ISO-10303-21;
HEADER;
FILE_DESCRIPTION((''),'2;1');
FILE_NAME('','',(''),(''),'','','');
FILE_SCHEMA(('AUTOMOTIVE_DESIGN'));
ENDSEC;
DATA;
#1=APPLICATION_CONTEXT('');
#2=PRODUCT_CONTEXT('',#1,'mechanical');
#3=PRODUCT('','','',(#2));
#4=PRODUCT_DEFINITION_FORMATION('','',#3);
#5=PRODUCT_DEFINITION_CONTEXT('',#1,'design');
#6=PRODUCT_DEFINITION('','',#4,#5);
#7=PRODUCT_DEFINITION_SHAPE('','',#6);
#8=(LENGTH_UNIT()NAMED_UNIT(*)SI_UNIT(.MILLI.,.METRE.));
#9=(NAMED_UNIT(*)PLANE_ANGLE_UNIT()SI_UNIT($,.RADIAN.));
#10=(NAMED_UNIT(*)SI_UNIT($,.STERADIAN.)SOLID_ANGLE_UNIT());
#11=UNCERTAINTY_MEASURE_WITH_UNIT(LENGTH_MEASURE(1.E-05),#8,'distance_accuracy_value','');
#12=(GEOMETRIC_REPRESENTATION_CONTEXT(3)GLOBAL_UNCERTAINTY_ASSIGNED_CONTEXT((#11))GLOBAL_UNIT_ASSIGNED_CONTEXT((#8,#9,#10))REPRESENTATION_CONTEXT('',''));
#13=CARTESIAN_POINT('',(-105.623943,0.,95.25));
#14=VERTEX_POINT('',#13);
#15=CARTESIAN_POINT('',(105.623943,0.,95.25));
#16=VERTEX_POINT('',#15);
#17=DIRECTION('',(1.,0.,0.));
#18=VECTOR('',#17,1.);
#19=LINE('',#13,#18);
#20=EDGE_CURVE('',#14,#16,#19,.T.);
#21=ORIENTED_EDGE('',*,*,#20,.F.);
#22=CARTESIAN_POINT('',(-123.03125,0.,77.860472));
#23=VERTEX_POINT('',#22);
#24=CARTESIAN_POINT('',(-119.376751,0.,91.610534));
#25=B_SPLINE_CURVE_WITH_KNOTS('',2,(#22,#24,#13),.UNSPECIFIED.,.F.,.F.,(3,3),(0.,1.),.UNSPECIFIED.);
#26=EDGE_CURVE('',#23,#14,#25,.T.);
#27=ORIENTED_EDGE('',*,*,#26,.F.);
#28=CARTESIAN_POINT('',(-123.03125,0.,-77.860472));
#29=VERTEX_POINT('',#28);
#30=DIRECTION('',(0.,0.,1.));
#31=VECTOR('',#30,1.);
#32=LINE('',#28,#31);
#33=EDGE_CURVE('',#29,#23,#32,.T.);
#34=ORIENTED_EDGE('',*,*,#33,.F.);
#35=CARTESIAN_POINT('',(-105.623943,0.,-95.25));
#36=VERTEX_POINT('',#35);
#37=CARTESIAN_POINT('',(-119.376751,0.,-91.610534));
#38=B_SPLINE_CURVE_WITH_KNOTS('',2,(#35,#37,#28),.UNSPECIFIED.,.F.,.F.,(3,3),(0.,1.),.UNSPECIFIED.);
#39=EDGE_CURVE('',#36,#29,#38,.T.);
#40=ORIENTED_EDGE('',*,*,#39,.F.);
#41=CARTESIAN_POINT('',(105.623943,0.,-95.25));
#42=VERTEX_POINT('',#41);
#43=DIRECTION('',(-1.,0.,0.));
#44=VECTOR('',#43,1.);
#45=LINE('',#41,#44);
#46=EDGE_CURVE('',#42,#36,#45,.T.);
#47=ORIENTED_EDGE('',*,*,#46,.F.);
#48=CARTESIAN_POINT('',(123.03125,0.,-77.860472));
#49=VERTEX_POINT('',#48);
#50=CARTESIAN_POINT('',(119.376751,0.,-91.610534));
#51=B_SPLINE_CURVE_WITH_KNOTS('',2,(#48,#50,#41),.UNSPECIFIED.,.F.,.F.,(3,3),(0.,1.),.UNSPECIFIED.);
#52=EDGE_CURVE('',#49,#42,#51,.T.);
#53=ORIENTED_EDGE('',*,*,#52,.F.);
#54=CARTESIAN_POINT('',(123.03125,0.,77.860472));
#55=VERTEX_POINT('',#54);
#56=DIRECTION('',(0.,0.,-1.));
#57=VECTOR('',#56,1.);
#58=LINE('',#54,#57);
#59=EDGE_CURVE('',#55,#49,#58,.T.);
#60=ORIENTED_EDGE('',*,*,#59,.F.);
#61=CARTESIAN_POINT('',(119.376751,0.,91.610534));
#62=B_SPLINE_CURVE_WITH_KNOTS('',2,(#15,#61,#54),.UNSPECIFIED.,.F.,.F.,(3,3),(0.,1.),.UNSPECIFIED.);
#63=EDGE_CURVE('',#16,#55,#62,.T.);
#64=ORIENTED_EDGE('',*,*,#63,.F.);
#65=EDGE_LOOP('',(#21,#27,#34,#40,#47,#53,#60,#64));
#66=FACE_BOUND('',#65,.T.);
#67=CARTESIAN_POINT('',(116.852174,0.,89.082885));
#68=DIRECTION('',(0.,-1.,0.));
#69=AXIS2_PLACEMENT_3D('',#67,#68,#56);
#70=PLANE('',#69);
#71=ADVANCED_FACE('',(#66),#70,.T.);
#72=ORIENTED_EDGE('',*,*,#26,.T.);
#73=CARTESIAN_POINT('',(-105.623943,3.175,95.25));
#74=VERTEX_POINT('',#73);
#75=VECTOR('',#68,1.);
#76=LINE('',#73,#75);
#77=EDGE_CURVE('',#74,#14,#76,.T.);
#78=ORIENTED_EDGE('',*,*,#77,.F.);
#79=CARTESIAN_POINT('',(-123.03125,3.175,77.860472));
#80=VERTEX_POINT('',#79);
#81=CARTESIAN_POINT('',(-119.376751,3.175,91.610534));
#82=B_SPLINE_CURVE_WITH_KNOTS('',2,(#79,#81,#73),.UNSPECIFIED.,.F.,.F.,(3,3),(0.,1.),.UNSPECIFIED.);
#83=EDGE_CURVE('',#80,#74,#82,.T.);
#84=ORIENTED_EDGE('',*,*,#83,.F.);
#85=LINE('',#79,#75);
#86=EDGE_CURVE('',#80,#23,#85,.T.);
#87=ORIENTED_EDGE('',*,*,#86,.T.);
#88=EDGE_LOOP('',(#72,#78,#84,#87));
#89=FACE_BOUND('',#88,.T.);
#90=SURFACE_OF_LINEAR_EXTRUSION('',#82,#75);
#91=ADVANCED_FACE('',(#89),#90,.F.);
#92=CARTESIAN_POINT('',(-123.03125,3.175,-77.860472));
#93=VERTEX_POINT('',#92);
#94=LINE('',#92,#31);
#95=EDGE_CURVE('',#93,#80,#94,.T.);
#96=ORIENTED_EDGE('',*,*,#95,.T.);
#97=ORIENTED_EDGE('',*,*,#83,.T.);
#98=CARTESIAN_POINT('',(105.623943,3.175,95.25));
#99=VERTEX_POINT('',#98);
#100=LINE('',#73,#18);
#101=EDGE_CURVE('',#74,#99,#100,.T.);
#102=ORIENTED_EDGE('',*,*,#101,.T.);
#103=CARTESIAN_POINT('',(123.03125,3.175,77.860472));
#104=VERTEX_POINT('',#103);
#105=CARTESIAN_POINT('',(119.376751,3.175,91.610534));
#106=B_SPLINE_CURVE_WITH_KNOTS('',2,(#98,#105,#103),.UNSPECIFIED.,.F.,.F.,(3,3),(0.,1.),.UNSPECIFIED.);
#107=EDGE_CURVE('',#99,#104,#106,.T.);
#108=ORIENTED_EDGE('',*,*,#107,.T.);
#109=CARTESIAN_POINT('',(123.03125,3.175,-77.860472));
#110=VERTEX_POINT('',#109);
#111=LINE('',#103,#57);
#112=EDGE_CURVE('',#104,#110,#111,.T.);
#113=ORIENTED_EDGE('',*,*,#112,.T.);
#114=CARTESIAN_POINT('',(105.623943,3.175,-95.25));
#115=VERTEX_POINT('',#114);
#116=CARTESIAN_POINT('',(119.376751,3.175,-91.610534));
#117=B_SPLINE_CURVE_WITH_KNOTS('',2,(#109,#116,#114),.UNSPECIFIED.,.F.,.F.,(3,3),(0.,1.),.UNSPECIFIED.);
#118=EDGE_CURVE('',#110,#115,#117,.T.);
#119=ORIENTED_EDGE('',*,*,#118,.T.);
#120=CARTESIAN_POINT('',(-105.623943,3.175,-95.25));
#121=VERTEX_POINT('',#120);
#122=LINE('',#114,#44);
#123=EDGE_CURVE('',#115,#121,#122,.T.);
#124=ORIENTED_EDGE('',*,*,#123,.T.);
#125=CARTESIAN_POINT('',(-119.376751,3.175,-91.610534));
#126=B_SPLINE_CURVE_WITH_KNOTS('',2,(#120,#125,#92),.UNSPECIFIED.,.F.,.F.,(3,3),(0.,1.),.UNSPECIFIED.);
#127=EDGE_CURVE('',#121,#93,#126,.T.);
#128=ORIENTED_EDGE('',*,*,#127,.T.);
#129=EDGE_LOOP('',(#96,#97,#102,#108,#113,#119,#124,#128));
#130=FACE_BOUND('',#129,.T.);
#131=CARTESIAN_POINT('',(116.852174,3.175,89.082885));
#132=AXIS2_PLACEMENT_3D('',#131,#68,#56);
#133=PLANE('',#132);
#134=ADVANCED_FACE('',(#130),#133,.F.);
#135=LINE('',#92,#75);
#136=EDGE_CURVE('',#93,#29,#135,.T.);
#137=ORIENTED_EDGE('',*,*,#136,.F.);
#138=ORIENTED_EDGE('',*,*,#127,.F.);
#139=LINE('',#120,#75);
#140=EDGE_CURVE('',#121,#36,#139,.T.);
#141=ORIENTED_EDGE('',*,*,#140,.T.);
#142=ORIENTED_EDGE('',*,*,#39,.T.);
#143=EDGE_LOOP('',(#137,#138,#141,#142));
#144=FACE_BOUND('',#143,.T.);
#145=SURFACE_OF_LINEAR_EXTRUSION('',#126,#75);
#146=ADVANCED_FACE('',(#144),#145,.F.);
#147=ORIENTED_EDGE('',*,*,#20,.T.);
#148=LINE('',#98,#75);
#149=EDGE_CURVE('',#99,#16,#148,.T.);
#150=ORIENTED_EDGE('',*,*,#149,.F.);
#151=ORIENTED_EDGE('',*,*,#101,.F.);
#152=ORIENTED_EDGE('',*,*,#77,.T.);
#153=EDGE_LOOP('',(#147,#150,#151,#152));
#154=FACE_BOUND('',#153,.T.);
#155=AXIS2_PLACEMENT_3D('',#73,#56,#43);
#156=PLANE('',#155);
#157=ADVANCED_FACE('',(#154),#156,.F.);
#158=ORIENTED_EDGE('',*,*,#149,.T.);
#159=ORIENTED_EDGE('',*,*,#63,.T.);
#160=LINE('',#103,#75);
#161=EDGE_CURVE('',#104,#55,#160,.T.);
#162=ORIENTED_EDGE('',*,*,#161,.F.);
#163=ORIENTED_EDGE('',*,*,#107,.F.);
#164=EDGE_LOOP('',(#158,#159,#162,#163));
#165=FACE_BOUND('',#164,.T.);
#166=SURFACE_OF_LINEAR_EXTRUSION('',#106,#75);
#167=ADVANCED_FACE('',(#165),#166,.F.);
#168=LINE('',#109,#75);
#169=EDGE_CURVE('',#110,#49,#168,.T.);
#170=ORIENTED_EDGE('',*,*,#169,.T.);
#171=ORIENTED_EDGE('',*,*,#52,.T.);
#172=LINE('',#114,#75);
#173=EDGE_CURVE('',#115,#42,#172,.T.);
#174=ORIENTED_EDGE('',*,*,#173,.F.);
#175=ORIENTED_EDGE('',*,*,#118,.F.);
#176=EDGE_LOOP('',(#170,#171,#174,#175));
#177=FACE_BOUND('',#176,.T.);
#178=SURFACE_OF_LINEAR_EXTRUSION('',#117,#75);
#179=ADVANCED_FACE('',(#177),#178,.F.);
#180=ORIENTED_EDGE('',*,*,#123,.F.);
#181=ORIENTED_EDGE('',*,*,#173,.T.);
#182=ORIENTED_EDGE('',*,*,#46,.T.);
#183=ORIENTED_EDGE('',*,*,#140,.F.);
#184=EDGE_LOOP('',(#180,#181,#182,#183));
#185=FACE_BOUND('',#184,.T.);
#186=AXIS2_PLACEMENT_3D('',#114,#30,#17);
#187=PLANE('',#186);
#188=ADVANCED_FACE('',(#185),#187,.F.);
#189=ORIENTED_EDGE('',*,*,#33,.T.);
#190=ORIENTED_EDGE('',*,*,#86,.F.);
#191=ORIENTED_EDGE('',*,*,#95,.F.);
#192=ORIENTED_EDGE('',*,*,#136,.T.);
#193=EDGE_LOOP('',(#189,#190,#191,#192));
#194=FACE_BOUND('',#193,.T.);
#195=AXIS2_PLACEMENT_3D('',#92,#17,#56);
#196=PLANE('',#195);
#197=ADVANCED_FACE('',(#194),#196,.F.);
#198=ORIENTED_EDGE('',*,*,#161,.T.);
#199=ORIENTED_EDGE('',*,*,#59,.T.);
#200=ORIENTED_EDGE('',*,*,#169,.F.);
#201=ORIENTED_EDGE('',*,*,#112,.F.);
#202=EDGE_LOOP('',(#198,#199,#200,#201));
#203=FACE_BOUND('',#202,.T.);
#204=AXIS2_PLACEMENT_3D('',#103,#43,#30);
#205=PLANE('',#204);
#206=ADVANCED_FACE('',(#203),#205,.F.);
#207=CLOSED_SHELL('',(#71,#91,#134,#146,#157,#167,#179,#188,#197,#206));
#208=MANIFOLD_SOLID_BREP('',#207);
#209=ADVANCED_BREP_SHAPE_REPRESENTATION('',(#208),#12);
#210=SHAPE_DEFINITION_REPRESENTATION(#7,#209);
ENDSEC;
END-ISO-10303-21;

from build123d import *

# Parameters (mm, degrees)
BOSS_EXTRUDE1_DEPTH = 3.175


with BuildPart() as part:
    # Sketch1 → Boss-Extrude1 (new body)
    with BuildSketch(Plane(origin=(0, 0, 0), x_dir=(1, 0, 0), z_dir=(0, 1, 0))):
        with BuildLine():
            Line((123.03125, -77.8604715), (123.03125, 77.8604715))
            add(Edge.make_bspline(
                [(105.623942912, 95.25), (119.376750647, 91.610533651), (123.03125, 77.8604715)],
                knots=[0, 0, 0, 1, 1, 1], degree=2))
            Line((105.623942912, 95.25), (-105.623942912, 95.25))
            add(Edge.make_bspline(
                [(-105.623942912, 95.25), (-119.376750647, 91.610533651), (-123.03125, 77.8604715)],
                knots=[0, 0, 0, 1, 1, 1], degree=2))
            Line((-123.03125, 77.8604715), (-123.03125, -77.8604715))
            add(Edge.make_bspline(
                [(-105.623942912, -95.25), (-119.376750647, -91.610533651), (-123.03125, -77.8604715)],
                knots=[0, 0, 0, 1, 1, 1], degree=2))
            Line((-105.623942912, -95.25), (105.623942912, -95.25))
            add(Edge.make_bspline(
                [(105.623942912, -95.25), (119.376750647, -91.610533651), (123.03125, -77.8604715)],
                knots=[0, 0, 0, 1, 1, 1], degree=2))
        make_face()
    extrude(amount=BOSS_EXTRUDE1_DEPTH)


solid = part.part
